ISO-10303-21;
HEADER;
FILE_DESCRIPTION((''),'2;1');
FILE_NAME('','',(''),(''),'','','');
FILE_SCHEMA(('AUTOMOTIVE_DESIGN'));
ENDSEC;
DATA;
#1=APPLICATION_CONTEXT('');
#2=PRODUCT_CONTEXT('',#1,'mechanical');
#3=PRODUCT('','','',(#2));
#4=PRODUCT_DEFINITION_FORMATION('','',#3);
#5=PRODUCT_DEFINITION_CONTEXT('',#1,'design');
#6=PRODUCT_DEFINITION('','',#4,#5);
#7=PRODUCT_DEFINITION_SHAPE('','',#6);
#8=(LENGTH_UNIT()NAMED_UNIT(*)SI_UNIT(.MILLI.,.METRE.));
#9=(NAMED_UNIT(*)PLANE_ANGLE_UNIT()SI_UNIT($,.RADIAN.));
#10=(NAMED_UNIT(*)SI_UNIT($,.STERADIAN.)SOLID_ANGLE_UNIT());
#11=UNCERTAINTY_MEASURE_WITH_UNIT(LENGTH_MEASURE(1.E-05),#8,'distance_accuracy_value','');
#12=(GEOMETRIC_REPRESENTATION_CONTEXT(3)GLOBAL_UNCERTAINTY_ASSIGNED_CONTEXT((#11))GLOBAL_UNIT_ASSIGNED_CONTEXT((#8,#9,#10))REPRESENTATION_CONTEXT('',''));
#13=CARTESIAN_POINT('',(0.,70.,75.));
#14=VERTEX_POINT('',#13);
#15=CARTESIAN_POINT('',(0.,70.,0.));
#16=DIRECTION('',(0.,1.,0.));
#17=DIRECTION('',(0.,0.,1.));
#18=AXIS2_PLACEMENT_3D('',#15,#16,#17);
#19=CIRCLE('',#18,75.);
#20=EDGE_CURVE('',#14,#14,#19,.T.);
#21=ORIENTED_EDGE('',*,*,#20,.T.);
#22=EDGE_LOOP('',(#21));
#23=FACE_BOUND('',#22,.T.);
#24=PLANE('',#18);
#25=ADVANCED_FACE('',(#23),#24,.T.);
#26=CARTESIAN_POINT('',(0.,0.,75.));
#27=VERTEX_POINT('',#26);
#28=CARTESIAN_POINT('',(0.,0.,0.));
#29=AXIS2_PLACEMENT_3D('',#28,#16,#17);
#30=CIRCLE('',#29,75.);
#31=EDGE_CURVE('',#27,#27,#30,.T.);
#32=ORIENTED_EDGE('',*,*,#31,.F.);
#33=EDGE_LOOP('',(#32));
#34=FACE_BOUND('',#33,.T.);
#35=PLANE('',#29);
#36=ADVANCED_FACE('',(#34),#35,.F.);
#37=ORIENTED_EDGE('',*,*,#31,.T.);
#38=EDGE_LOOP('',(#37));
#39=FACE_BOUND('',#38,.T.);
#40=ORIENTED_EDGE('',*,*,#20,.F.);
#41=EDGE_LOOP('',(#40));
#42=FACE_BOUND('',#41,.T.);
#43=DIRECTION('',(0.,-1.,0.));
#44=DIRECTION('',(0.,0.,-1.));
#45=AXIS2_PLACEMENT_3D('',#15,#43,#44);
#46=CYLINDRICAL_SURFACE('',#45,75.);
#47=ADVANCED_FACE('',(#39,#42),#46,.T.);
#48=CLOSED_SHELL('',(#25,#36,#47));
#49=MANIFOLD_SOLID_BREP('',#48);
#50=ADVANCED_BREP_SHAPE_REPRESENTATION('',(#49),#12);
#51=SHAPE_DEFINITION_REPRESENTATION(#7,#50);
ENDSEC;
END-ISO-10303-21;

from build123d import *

# Parameters (mm, degrees)
SKETCH_1_R      = 75
EXTRUDE_1_DEPTH = 70


with BuildPart() as part:
    # 草图1 → 凸台-拉伸1 (new body)
    with BuildSketch(Plane(origin=(0, 0, 0), x_dir=(1, 0, 0), z_dir=(0, 1, 0))):
        with Locations(Location((0, 0, 0), (0, 0, 270))):
            Circle(SKETCH_1_R)
    extrude(amount=EXTRUDE_1_DEPTH)


solid = part.part
